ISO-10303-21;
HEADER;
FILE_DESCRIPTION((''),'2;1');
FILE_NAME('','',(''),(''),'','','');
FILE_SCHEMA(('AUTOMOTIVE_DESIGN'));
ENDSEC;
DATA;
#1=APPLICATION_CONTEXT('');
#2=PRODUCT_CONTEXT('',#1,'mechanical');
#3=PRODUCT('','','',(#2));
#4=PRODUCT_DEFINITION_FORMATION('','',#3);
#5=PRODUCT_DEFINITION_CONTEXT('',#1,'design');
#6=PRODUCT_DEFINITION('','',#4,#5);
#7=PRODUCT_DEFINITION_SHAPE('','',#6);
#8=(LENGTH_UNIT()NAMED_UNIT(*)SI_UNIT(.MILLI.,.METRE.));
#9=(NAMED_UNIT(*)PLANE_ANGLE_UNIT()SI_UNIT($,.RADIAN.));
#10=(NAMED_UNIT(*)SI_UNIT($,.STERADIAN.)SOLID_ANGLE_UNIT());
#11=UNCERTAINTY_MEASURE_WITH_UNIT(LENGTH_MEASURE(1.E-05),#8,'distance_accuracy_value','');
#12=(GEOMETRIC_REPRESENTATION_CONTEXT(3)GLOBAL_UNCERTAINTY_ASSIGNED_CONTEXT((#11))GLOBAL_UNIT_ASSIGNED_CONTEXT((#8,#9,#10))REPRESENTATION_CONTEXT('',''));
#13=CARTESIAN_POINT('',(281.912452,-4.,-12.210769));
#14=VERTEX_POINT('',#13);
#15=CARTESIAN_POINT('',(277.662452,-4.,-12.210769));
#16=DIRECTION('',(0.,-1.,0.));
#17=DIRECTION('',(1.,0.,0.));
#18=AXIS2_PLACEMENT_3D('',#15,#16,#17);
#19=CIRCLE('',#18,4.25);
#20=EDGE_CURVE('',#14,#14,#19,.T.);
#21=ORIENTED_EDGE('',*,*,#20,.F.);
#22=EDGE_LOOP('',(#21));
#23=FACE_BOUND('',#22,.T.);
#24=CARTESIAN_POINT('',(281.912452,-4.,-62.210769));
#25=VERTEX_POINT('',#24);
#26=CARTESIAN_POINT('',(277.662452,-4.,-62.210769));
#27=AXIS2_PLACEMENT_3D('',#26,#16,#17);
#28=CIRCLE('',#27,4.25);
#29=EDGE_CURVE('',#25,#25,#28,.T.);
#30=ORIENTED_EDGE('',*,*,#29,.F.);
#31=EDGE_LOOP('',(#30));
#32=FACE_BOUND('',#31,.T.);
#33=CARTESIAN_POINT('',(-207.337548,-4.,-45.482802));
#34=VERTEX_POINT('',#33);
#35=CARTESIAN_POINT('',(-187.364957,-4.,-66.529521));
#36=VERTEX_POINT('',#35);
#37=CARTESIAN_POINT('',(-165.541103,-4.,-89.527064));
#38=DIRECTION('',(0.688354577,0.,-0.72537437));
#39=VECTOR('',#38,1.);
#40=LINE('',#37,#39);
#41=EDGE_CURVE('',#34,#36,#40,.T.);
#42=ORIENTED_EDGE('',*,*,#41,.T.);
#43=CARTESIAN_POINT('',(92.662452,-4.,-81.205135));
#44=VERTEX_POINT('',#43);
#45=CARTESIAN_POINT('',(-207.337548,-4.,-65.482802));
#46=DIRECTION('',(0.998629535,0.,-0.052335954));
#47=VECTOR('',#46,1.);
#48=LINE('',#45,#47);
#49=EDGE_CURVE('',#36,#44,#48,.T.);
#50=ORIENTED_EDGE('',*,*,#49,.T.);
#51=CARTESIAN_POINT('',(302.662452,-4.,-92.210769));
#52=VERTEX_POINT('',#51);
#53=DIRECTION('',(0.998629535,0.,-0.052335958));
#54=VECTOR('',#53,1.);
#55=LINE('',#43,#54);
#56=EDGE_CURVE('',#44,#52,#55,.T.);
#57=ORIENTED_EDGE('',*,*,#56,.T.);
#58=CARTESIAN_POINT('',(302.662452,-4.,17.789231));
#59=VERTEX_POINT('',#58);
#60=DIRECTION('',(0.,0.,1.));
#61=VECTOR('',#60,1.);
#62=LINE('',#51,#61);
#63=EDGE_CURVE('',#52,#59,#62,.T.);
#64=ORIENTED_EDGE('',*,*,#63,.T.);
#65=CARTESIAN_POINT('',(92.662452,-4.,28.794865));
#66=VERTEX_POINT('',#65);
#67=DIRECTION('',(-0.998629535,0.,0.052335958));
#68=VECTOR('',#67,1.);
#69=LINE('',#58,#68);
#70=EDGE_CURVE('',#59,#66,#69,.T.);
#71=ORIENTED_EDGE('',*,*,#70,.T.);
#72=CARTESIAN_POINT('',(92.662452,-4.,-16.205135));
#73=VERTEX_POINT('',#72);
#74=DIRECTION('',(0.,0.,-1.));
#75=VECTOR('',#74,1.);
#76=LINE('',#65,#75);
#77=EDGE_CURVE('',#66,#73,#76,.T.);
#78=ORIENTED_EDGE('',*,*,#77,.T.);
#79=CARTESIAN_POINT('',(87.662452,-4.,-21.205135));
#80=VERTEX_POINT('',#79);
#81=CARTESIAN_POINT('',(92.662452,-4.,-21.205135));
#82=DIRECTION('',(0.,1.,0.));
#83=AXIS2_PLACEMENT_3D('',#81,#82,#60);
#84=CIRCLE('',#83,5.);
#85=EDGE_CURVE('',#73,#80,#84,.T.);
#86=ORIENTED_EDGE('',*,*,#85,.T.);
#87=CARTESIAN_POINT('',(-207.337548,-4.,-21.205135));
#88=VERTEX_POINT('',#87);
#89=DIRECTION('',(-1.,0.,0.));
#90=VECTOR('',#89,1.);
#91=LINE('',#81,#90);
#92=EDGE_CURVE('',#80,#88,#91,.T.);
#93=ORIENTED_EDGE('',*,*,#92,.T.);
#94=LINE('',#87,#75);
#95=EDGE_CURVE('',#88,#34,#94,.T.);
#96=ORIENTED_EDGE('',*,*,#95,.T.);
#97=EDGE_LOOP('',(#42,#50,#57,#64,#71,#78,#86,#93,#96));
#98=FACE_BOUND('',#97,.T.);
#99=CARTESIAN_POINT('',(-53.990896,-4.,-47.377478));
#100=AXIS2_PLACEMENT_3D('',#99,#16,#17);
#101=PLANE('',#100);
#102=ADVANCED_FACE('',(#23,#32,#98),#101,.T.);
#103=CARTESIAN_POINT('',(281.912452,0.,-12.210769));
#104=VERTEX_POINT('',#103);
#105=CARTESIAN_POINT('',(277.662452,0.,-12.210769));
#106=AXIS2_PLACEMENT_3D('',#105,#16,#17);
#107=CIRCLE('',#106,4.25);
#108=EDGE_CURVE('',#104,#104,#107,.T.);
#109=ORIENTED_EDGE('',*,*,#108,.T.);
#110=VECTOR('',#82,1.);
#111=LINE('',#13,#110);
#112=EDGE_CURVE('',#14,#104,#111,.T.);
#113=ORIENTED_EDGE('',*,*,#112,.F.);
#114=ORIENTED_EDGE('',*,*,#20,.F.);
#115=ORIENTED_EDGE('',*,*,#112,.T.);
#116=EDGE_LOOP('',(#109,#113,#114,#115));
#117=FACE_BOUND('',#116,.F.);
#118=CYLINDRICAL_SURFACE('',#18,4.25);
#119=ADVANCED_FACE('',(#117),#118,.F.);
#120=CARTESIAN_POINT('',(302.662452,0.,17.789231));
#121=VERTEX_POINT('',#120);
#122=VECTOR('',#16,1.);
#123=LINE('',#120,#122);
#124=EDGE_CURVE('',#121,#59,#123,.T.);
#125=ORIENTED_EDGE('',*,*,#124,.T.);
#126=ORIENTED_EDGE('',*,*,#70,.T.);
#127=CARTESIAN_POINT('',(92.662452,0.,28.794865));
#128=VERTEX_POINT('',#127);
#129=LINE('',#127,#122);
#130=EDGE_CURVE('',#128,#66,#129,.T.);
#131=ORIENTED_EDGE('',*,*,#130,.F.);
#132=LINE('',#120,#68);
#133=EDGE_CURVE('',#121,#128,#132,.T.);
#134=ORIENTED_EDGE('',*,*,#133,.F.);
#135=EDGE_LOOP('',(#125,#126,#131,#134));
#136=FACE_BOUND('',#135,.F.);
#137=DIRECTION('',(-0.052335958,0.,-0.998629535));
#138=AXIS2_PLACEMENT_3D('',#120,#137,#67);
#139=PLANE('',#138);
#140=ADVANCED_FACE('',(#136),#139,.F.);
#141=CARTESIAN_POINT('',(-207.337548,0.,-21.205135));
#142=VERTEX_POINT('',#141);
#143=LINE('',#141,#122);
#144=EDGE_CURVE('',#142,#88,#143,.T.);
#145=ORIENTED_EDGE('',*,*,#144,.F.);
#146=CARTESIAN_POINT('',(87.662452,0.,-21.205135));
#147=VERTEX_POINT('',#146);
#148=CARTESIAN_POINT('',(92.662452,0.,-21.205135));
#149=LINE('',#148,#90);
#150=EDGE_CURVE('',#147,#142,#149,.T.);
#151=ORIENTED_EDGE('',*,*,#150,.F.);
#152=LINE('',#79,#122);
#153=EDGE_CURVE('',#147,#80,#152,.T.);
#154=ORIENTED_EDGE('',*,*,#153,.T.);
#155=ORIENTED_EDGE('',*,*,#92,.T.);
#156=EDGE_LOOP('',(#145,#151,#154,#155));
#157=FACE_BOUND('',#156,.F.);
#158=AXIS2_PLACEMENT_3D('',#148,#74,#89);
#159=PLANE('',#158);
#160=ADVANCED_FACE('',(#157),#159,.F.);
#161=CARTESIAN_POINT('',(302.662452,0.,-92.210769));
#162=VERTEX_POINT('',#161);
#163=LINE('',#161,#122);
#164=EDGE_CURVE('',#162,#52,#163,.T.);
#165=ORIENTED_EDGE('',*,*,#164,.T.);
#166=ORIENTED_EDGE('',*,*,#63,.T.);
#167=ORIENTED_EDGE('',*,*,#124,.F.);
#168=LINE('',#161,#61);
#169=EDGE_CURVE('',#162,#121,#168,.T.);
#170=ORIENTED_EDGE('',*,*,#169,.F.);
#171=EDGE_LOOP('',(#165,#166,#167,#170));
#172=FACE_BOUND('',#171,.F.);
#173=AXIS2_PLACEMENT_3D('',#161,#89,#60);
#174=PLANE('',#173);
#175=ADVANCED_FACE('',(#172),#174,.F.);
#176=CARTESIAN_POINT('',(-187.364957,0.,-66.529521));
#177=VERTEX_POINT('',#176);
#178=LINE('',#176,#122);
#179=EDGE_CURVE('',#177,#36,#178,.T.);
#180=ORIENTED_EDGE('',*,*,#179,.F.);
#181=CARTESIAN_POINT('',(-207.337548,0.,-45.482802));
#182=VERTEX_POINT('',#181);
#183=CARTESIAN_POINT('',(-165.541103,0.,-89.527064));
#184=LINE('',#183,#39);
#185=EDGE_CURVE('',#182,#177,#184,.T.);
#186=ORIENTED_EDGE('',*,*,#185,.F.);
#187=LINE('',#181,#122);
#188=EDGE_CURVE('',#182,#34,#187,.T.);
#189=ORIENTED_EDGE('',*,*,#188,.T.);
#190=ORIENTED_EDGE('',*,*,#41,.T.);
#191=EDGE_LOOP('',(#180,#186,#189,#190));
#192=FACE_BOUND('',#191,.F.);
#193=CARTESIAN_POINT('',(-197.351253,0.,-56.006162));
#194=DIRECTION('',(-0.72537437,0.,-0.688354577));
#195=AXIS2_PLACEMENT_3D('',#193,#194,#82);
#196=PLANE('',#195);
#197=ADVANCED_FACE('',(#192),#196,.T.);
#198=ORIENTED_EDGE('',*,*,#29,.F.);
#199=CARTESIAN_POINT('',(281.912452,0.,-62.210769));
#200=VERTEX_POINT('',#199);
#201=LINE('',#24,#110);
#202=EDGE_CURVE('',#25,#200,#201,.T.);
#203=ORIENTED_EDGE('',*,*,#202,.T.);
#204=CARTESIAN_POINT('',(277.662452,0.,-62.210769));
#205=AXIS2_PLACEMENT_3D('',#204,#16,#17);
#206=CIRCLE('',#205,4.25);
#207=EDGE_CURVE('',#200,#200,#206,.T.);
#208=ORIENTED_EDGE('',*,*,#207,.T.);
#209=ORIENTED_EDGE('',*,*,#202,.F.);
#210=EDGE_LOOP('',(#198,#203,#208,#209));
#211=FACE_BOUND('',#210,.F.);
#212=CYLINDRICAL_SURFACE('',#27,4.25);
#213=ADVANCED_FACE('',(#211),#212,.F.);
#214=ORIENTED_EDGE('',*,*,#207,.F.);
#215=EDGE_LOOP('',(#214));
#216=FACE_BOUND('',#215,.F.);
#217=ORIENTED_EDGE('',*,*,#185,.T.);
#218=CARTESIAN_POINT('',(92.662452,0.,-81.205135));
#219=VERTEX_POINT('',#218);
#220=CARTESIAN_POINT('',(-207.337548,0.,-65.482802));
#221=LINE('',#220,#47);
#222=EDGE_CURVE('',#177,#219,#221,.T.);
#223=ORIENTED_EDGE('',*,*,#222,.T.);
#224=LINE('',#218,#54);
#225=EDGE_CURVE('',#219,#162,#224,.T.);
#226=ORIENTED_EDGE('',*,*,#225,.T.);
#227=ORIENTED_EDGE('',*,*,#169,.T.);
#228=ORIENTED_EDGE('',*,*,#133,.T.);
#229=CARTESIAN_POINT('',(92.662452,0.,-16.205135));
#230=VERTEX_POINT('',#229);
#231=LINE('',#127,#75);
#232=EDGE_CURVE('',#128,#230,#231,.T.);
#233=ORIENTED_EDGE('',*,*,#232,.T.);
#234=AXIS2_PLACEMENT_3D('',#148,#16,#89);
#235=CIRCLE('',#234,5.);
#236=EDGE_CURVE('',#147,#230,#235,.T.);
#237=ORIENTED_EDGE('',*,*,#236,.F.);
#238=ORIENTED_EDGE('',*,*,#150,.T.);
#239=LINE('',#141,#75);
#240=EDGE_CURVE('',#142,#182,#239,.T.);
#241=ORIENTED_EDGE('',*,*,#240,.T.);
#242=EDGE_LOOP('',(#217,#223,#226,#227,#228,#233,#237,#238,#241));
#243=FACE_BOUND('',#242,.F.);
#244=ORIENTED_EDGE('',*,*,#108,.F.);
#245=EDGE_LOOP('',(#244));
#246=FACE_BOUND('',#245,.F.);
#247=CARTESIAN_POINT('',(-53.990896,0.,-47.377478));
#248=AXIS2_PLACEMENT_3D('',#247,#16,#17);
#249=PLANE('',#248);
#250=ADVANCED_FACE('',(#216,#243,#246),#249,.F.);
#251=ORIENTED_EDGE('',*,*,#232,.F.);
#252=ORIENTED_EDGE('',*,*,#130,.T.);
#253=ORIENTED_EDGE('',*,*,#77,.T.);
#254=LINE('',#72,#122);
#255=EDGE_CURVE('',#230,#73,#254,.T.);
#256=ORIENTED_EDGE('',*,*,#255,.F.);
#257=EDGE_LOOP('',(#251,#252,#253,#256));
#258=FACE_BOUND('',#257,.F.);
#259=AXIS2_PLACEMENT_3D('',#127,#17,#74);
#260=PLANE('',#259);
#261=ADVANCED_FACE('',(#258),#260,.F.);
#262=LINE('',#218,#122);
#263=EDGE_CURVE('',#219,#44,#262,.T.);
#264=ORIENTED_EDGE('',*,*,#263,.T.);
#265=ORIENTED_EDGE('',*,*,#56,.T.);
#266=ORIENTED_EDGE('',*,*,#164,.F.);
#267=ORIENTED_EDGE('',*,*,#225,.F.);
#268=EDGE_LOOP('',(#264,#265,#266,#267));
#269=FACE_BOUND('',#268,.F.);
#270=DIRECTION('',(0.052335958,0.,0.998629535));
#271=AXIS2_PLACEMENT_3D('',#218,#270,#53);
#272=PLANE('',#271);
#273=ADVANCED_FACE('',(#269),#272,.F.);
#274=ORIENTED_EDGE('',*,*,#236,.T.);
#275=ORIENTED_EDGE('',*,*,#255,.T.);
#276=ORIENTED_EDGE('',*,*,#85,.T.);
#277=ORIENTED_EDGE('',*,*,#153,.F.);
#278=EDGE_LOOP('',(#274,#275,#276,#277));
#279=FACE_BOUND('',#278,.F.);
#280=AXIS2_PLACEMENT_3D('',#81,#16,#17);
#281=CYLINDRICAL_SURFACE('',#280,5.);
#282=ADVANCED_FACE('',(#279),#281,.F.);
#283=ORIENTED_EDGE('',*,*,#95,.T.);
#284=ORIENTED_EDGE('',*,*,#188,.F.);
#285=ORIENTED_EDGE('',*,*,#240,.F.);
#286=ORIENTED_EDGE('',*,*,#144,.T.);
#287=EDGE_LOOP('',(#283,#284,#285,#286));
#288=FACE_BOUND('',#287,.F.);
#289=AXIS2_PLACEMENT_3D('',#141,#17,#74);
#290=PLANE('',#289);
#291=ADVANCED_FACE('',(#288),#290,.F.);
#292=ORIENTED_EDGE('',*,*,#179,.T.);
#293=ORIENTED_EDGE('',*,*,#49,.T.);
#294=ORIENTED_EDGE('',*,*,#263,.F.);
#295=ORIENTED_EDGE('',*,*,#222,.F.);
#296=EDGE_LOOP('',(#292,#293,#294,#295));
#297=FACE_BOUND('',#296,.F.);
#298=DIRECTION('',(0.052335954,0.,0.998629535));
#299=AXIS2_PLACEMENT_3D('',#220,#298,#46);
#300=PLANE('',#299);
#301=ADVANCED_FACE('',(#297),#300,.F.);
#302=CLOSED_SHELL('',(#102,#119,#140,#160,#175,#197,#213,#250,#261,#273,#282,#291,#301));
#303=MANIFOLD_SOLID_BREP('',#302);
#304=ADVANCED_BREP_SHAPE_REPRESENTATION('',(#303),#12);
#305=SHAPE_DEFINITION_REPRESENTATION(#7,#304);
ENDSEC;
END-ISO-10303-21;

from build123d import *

# Parameters (mm, degrees)
F1_DEPTH = 4
F2_SIZE  = 20
F3_R     = 5
F4_DEPTH = 25
F5_R     = 4.25
F6_DEPTH = 25


with BuildPart() as f1:
    # F0 (on Front) → F1 (new body)
    with BuildSketch(Plane.XZ):
        Polygon((92.662452, -21.205135), (-207.337548, -21.205135), (-207.337548, -65.482802), (92.662452, -81.205135), align=None)
        Polygon((92.662452, 28.794865), (92.662452, -21.205135), (92.662452, -81.205135), (302.662452, -92.210769), (302.662452, 17.789231), align=None)
    extrude(amount=F1_DEPTH)

    # F2
    f2_edges = [f1.edges().sort_by_distance(p)[0] for p in [
        (-207.337548, -2, -65.482802),
    ]]
    chamfer(f2_edges, length=F2_SIZE)

    # F3 (on face) → F4 (cut)
    with BuildSketch(Plane.XZ.offset(4)):
        with Locations((92.662452, -21.205135)):
            Circle(F3_R)
    extrude(amount=-F4_DEPTH, mode=Mode.SUBTRACT)

    # F5 (on face) → F6 (cut)
    with BuildSketch(Plane.XZ.offset(4)):
        with Locations((277.662452, -12.210769)):
            Circle(F5_R)
        with Locations((277.662452, -62.210769)):
            Circle(F5_R)
    extrude(amount=-F6_DEPTH, mode=Mode.SUBTRACT)


solid = f1.part
